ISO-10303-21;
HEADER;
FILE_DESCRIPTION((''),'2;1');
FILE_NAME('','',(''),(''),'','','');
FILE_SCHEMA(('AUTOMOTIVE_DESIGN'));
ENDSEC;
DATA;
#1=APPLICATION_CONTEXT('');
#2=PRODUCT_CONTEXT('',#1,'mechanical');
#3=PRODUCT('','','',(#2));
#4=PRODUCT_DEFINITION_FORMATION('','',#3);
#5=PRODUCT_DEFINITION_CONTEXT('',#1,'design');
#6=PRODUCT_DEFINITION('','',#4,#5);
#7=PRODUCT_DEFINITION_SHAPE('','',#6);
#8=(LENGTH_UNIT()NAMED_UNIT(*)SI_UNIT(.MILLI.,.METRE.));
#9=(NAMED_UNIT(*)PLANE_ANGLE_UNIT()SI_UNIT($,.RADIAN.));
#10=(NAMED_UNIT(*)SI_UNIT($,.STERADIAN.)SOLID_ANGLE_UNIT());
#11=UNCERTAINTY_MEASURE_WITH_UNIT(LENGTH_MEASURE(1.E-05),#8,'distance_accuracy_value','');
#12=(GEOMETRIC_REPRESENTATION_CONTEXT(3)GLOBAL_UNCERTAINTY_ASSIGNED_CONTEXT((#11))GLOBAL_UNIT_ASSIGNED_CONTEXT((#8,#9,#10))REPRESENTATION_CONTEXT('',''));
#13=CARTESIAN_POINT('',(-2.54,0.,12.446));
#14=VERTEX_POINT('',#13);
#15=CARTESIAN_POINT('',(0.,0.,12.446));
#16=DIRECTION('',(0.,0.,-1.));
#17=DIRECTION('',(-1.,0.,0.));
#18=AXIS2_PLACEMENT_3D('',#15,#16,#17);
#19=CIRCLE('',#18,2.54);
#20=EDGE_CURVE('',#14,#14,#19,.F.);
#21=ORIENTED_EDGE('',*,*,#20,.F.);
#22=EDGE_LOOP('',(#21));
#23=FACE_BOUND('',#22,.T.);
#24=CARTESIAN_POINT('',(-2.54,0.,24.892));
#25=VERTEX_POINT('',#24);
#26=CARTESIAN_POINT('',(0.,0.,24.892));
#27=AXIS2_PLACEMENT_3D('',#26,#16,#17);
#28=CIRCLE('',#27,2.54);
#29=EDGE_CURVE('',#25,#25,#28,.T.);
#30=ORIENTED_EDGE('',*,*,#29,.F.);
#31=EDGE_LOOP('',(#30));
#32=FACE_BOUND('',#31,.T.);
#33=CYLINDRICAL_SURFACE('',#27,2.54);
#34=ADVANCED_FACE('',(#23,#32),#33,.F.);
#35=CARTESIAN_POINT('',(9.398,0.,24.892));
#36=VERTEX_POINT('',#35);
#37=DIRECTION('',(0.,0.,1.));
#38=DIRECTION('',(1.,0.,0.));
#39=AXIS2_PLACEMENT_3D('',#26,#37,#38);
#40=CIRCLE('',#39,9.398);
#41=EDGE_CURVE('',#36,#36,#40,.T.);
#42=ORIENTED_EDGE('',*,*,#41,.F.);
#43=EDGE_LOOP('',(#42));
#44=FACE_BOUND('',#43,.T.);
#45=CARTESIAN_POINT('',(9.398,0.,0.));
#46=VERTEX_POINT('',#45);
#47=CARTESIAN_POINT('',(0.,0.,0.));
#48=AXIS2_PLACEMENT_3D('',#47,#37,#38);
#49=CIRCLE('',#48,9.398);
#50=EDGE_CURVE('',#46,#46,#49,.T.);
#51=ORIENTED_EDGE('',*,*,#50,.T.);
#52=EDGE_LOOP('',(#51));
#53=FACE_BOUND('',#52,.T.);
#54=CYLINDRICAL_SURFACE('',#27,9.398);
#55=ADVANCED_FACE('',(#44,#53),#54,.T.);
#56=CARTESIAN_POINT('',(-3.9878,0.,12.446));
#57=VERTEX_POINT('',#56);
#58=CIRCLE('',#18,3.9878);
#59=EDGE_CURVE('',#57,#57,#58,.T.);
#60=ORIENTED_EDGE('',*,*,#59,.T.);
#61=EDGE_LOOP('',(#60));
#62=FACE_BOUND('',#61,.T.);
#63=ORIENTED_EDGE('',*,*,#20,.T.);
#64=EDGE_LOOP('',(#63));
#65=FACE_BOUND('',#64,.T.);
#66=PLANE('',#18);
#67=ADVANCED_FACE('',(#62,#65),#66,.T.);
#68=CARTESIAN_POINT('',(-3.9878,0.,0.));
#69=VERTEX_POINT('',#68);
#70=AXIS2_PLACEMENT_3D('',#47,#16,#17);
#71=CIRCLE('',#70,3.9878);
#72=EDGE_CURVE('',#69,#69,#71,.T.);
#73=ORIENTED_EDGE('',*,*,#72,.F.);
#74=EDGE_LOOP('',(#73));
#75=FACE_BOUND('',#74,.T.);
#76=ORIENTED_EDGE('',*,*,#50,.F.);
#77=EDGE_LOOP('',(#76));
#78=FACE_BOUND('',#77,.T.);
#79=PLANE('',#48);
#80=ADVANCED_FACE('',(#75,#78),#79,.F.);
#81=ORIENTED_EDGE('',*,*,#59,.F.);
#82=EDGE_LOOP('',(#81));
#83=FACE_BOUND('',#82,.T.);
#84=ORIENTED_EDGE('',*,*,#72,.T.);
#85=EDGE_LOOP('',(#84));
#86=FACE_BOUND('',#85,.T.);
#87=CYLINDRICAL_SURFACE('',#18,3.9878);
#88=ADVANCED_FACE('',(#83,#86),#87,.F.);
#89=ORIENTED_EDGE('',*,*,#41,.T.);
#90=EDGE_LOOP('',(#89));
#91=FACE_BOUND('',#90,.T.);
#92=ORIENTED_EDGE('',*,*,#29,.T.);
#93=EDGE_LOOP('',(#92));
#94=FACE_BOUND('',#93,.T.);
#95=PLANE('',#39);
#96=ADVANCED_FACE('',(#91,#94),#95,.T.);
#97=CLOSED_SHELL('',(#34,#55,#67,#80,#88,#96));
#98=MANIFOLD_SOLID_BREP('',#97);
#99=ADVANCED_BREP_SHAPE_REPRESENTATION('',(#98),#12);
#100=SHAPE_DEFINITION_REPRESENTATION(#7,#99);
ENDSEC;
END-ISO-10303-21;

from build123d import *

# Parameters (mm, degrees)
SKETCH1_R               = 9.398
BOSS_EXTRUDE1_DEPTH     = 24.892
SKETCH2_R               = 2.54
CUT_EXTRUDE1_DEPTH      = 1
CUT_EXTRUDE1_DEPTH_BACK = 25.892
SKETCH3_R               = 3.9878
CUT_EXTRUDE2_DEPTH      = 12.446


with BuildPart() as part:
    # Sketch1 → Boss-Extrude1 (new body)
    with BuildSketch(Plane.XY):
        Circle(SKETCH1_R)
    extrude(amount=BOSS_EXTRUDE1_DEPTH)

    # Sketch2 → Cut-Extrude1 (cut, two sides)
    with BuildSketch(Plane(origin=(0, 0, 0), x_dir=(-1, 0, 0), z_dir=(0, 0, -1))) as cut_extrude1_sk:
        Circle(SKETCH2_R)
    extrude(amount=CUT_EXTRUDE1_DEPTH, mode=Mode.SUBTRACT)
    extrude(cut_extrude1_sk.sketch, amount=-CUT_EXTRUDE1_DEPTH_BACK, mode=Mode.SUBTRACT)

    # Sketch3 → Cut-Extrude2 (cut)
    with BuildSketch(Plane(origin=(0, 0, 0), x_dir=(-1, 0, 0), z_dir=(0, 0, -1))):
        Circle(SKETCH3_R)
    extrude(amount=-CUT_EXTRUDE2_DEPTH, mode=Mode.SUBTRACT)


solid = part.part
